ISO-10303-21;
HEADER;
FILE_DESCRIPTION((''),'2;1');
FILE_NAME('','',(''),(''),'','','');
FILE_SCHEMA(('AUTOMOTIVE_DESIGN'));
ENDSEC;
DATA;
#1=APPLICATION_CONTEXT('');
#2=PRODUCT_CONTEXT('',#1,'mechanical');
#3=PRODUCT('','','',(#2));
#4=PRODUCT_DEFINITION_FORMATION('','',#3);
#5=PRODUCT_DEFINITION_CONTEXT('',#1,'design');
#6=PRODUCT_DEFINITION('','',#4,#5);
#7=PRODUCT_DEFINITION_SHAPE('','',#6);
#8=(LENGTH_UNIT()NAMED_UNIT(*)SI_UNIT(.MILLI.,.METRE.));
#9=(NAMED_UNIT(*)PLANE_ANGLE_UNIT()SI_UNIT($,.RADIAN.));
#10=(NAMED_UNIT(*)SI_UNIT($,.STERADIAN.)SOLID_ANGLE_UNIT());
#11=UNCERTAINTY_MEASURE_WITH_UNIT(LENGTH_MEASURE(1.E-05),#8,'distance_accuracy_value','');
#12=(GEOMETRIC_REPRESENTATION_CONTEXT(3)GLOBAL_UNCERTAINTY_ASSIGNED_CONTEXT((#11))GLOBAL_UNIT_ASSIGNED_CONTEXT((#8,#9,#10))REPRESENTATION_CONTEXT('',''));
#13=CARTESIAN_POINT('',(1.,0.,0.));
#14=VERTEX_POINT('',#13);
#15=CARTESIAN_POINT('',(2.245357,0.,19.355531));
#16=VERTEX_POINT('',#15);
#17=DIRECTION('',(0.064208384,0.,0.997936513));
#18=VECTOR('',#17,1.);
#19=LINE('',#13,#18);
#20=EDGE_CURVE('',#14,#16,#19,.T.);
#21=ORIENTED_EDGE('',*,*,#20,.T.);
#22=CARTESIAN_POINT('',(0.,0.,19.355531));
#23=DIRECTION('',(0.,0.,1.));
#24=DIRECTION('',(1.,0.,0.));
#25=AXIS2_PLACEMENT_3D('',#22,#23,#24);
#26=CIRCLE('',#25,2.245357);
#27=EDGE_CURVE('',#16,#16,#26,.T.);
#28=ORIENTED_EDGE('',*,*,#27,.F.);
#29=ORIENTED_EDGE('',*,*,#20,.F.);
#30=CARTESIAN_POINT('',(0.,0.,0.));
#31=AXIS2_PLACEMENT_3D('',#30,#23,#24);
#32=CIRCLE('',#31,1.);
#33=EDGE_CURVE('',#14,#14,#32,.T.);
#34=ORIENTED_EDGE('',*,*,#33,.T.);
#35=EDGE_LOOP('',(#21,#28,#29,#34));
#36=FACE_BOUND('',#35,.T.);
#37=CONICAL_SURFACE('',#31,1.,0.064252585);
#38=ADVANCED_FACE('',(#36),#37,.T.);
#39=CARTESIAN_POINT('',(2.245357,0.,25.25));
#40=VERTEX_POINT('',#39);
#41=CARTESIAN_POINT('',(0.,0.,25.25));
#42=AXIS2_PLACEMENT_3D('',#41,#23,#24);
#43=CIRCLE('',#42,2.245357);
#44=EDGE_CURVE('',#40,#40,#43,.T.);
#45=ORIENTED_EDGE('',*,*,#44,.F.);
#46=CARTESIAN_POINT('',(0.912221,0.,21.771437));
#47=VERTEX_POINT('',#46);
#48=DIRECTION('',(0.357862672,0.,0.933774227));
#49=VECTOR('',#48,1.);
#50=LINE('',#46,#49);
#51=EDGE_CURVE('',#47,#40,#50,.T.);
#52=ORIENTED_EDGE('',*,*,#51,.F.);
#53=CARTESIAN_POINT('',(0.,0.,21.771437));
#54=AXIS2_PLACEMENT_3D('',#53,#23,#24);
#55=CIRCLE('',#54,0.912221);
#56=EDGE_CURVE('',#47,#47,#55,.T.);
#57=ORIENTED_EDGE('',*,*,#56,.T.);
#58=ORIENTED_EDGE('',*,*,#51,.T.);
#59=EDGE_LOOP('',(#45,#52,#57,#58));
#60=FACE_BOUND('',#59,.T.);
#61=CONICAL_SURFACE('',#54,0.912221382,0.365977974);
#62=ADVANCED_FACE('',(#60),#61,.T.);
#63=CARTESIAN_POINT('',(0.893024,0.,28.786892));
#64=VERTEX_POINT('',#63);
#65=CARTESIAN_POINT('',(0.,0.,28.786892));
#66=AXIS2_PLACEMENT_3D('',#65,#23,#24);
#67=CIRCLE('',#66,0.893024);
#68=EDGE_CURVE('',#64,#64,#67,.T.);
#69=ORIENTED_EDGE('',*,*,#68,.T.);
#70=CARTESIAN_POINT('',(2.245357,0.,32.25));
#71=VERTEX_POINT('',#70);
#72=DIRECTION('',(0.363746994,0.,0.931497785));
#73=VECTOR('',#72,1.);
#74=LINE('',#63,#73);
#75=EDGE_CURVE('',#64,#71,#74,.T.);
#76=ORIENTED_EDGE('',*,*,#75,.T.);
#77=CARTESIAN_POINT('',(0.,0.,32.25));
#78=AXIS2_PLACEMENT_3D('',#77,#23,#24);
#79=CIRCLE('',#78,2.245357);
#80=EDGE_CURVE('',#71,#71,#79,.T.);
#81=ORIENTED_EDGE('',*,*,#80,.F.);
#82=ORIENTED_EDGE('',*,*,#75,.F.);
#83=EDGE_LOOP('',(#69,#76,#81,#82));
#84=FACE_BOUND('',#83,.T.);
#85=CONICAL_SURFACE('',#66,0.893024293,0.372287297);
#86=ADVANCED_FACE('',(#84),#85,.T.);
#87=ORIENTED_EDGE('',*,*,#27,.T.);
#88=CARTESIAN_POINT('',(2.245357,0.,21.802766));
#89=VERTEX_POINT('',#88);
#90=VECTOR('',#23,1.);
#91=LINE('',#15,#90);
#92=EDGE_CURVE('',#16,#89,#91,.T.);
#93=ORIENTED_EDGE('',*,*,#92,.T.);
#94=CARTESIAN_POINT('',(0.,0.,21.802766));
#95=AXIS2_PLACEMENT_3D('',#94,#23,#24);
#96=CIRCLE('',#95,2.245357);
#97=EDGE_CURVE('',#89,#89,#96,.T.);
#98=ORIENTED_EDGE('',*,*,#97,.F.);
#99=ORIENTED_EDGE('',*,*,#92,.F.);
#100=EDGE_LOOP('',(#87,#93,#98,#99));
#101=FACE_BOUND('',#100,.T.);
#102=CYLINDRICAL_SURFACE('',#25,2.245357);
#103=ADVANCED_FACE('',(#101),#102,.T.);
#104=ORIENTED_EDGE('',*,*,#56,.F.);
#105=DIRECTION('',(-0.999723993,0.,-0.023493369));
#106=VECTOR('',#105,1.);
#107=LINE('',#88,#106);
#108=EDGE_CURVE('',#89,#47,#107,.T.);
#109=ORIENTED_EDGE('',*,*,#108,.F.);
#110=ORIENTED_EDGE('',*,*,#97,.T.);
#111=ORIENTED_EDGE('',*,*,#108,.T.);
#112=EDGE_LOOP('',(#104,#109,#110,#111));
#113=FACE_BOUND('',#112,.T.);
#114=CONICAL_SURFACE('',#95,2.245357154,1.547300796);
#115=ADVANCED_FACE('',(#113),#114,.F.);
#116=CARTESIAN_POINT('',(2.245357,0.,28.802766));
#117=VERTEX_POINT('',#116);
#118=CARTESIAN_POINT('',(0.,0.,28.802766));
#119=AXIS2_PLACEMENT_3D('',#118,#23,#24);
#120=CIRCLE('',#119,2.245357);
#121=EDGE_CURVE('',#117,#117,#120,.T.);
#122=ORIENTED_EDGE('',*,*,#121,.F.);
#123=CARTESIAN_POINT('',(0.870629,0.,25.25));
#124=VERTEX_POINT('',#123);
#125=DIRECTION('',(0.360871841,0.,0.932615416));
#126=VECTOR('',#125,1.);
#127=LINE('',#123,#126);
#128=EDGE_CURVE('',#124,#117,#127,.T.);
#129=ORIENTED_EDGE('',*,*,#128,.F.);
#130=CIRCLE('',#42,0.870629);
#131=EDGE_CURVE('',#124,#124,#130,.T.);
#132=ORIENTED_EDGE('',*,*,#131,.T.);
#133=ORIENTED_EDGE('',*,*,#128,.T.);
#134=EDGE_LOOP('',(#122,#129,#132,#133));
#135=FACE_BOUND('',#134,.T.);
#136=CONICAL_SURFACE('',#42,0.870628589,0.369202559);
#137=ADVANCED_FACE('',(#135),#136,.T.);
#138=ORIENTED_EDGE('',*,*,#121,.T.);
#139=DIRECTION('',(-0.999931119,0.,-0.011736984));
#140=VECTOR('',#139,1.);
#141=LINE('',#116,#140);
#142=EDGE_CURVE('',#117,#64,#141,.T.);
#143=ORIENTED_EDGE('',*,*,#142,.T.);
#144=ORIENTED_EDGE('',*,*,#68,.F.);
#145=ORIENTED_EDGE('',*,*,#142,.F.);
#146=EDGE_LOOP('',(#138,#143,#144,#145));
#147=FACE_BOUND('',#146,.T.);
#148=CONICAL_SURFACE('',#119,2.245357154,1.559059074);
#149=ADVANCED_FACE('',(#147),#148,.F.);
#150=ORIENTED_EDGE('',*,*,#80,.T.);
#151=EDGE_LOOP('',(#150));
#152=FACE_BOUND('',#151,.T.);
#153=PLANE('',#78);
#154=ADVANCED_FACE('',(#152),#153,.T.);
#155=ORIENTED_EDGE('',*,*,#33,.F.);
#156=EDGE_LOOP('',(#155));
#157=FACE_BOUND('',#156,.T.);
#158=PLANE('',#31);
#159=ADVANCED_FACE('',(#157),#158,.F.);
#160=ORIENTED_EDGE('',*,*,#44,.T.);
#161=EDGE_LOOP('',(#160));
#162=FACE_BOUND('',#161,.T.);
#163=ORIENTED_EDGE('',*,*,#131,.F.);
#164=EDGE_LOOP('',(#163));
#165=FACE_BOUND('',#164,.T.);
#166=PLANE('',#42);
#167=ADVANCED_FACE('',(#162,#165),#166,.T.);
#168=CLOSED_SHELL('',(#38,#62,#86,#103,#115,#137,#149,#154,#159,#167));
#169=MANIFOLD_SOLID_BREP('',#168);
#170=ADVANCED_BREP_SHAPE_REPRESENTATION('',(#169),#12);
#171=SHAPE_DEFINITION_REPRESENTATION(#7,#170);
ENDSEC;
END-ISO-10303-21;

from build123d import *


with BuildPart() as f1:
    # F0 (on Front) → F1 (revolve)
    with BuildSketch(Plane.XZ):
        Polygon((0.9122213819, 21.7714370704), (0, 21.75), (0.6417332352, 21.0656499632), align=None)
        Polygon((0.9122213819, 21.7714370704), (0.6417332352, 21.0656499632), (2.2453571536, 19.3555311361), (2.2453571536, 21.802765568), align=None)
        Polygon((0, 21.75), (0, 19.3911697716), (0.6417332352, 21.0656499632), align=None)
        Polygon((0, 23), (0, 21.75), (0.9122213819, 21.7714370704), (2.2453571536, 25.25), (0.8706285885, 25.25), align=None)
        Polygon((0, 25.25), (0, 23), (0.8706285885, 25.25), align=None)
        Polygon((0, 26.5), (0, 25.25), (0.8706285885, 25.25), (2.2453571536, 28.802765568), (0.8930242929, 28.786892166), align=None)
        Polygon((0, 28.7764100324), (0, 26.5), (0.8930242929, 28.786892166), align=None)
        Polygon((0, 30), (0, 28.7764100324), (0.8930242929, 28.786892166), (2.2453571536, 32.25), (0, 32.25), align=None)
        Polygon((0, 19.3911697716), (0, 0), (1, 0), (2.2453571536, 19.3555311361), (0.6417332352, 21.0656499632), align=None)
    revolve(axis=Axis((0, 0, 15), (0, 0, 1)))


solid = f1.part
